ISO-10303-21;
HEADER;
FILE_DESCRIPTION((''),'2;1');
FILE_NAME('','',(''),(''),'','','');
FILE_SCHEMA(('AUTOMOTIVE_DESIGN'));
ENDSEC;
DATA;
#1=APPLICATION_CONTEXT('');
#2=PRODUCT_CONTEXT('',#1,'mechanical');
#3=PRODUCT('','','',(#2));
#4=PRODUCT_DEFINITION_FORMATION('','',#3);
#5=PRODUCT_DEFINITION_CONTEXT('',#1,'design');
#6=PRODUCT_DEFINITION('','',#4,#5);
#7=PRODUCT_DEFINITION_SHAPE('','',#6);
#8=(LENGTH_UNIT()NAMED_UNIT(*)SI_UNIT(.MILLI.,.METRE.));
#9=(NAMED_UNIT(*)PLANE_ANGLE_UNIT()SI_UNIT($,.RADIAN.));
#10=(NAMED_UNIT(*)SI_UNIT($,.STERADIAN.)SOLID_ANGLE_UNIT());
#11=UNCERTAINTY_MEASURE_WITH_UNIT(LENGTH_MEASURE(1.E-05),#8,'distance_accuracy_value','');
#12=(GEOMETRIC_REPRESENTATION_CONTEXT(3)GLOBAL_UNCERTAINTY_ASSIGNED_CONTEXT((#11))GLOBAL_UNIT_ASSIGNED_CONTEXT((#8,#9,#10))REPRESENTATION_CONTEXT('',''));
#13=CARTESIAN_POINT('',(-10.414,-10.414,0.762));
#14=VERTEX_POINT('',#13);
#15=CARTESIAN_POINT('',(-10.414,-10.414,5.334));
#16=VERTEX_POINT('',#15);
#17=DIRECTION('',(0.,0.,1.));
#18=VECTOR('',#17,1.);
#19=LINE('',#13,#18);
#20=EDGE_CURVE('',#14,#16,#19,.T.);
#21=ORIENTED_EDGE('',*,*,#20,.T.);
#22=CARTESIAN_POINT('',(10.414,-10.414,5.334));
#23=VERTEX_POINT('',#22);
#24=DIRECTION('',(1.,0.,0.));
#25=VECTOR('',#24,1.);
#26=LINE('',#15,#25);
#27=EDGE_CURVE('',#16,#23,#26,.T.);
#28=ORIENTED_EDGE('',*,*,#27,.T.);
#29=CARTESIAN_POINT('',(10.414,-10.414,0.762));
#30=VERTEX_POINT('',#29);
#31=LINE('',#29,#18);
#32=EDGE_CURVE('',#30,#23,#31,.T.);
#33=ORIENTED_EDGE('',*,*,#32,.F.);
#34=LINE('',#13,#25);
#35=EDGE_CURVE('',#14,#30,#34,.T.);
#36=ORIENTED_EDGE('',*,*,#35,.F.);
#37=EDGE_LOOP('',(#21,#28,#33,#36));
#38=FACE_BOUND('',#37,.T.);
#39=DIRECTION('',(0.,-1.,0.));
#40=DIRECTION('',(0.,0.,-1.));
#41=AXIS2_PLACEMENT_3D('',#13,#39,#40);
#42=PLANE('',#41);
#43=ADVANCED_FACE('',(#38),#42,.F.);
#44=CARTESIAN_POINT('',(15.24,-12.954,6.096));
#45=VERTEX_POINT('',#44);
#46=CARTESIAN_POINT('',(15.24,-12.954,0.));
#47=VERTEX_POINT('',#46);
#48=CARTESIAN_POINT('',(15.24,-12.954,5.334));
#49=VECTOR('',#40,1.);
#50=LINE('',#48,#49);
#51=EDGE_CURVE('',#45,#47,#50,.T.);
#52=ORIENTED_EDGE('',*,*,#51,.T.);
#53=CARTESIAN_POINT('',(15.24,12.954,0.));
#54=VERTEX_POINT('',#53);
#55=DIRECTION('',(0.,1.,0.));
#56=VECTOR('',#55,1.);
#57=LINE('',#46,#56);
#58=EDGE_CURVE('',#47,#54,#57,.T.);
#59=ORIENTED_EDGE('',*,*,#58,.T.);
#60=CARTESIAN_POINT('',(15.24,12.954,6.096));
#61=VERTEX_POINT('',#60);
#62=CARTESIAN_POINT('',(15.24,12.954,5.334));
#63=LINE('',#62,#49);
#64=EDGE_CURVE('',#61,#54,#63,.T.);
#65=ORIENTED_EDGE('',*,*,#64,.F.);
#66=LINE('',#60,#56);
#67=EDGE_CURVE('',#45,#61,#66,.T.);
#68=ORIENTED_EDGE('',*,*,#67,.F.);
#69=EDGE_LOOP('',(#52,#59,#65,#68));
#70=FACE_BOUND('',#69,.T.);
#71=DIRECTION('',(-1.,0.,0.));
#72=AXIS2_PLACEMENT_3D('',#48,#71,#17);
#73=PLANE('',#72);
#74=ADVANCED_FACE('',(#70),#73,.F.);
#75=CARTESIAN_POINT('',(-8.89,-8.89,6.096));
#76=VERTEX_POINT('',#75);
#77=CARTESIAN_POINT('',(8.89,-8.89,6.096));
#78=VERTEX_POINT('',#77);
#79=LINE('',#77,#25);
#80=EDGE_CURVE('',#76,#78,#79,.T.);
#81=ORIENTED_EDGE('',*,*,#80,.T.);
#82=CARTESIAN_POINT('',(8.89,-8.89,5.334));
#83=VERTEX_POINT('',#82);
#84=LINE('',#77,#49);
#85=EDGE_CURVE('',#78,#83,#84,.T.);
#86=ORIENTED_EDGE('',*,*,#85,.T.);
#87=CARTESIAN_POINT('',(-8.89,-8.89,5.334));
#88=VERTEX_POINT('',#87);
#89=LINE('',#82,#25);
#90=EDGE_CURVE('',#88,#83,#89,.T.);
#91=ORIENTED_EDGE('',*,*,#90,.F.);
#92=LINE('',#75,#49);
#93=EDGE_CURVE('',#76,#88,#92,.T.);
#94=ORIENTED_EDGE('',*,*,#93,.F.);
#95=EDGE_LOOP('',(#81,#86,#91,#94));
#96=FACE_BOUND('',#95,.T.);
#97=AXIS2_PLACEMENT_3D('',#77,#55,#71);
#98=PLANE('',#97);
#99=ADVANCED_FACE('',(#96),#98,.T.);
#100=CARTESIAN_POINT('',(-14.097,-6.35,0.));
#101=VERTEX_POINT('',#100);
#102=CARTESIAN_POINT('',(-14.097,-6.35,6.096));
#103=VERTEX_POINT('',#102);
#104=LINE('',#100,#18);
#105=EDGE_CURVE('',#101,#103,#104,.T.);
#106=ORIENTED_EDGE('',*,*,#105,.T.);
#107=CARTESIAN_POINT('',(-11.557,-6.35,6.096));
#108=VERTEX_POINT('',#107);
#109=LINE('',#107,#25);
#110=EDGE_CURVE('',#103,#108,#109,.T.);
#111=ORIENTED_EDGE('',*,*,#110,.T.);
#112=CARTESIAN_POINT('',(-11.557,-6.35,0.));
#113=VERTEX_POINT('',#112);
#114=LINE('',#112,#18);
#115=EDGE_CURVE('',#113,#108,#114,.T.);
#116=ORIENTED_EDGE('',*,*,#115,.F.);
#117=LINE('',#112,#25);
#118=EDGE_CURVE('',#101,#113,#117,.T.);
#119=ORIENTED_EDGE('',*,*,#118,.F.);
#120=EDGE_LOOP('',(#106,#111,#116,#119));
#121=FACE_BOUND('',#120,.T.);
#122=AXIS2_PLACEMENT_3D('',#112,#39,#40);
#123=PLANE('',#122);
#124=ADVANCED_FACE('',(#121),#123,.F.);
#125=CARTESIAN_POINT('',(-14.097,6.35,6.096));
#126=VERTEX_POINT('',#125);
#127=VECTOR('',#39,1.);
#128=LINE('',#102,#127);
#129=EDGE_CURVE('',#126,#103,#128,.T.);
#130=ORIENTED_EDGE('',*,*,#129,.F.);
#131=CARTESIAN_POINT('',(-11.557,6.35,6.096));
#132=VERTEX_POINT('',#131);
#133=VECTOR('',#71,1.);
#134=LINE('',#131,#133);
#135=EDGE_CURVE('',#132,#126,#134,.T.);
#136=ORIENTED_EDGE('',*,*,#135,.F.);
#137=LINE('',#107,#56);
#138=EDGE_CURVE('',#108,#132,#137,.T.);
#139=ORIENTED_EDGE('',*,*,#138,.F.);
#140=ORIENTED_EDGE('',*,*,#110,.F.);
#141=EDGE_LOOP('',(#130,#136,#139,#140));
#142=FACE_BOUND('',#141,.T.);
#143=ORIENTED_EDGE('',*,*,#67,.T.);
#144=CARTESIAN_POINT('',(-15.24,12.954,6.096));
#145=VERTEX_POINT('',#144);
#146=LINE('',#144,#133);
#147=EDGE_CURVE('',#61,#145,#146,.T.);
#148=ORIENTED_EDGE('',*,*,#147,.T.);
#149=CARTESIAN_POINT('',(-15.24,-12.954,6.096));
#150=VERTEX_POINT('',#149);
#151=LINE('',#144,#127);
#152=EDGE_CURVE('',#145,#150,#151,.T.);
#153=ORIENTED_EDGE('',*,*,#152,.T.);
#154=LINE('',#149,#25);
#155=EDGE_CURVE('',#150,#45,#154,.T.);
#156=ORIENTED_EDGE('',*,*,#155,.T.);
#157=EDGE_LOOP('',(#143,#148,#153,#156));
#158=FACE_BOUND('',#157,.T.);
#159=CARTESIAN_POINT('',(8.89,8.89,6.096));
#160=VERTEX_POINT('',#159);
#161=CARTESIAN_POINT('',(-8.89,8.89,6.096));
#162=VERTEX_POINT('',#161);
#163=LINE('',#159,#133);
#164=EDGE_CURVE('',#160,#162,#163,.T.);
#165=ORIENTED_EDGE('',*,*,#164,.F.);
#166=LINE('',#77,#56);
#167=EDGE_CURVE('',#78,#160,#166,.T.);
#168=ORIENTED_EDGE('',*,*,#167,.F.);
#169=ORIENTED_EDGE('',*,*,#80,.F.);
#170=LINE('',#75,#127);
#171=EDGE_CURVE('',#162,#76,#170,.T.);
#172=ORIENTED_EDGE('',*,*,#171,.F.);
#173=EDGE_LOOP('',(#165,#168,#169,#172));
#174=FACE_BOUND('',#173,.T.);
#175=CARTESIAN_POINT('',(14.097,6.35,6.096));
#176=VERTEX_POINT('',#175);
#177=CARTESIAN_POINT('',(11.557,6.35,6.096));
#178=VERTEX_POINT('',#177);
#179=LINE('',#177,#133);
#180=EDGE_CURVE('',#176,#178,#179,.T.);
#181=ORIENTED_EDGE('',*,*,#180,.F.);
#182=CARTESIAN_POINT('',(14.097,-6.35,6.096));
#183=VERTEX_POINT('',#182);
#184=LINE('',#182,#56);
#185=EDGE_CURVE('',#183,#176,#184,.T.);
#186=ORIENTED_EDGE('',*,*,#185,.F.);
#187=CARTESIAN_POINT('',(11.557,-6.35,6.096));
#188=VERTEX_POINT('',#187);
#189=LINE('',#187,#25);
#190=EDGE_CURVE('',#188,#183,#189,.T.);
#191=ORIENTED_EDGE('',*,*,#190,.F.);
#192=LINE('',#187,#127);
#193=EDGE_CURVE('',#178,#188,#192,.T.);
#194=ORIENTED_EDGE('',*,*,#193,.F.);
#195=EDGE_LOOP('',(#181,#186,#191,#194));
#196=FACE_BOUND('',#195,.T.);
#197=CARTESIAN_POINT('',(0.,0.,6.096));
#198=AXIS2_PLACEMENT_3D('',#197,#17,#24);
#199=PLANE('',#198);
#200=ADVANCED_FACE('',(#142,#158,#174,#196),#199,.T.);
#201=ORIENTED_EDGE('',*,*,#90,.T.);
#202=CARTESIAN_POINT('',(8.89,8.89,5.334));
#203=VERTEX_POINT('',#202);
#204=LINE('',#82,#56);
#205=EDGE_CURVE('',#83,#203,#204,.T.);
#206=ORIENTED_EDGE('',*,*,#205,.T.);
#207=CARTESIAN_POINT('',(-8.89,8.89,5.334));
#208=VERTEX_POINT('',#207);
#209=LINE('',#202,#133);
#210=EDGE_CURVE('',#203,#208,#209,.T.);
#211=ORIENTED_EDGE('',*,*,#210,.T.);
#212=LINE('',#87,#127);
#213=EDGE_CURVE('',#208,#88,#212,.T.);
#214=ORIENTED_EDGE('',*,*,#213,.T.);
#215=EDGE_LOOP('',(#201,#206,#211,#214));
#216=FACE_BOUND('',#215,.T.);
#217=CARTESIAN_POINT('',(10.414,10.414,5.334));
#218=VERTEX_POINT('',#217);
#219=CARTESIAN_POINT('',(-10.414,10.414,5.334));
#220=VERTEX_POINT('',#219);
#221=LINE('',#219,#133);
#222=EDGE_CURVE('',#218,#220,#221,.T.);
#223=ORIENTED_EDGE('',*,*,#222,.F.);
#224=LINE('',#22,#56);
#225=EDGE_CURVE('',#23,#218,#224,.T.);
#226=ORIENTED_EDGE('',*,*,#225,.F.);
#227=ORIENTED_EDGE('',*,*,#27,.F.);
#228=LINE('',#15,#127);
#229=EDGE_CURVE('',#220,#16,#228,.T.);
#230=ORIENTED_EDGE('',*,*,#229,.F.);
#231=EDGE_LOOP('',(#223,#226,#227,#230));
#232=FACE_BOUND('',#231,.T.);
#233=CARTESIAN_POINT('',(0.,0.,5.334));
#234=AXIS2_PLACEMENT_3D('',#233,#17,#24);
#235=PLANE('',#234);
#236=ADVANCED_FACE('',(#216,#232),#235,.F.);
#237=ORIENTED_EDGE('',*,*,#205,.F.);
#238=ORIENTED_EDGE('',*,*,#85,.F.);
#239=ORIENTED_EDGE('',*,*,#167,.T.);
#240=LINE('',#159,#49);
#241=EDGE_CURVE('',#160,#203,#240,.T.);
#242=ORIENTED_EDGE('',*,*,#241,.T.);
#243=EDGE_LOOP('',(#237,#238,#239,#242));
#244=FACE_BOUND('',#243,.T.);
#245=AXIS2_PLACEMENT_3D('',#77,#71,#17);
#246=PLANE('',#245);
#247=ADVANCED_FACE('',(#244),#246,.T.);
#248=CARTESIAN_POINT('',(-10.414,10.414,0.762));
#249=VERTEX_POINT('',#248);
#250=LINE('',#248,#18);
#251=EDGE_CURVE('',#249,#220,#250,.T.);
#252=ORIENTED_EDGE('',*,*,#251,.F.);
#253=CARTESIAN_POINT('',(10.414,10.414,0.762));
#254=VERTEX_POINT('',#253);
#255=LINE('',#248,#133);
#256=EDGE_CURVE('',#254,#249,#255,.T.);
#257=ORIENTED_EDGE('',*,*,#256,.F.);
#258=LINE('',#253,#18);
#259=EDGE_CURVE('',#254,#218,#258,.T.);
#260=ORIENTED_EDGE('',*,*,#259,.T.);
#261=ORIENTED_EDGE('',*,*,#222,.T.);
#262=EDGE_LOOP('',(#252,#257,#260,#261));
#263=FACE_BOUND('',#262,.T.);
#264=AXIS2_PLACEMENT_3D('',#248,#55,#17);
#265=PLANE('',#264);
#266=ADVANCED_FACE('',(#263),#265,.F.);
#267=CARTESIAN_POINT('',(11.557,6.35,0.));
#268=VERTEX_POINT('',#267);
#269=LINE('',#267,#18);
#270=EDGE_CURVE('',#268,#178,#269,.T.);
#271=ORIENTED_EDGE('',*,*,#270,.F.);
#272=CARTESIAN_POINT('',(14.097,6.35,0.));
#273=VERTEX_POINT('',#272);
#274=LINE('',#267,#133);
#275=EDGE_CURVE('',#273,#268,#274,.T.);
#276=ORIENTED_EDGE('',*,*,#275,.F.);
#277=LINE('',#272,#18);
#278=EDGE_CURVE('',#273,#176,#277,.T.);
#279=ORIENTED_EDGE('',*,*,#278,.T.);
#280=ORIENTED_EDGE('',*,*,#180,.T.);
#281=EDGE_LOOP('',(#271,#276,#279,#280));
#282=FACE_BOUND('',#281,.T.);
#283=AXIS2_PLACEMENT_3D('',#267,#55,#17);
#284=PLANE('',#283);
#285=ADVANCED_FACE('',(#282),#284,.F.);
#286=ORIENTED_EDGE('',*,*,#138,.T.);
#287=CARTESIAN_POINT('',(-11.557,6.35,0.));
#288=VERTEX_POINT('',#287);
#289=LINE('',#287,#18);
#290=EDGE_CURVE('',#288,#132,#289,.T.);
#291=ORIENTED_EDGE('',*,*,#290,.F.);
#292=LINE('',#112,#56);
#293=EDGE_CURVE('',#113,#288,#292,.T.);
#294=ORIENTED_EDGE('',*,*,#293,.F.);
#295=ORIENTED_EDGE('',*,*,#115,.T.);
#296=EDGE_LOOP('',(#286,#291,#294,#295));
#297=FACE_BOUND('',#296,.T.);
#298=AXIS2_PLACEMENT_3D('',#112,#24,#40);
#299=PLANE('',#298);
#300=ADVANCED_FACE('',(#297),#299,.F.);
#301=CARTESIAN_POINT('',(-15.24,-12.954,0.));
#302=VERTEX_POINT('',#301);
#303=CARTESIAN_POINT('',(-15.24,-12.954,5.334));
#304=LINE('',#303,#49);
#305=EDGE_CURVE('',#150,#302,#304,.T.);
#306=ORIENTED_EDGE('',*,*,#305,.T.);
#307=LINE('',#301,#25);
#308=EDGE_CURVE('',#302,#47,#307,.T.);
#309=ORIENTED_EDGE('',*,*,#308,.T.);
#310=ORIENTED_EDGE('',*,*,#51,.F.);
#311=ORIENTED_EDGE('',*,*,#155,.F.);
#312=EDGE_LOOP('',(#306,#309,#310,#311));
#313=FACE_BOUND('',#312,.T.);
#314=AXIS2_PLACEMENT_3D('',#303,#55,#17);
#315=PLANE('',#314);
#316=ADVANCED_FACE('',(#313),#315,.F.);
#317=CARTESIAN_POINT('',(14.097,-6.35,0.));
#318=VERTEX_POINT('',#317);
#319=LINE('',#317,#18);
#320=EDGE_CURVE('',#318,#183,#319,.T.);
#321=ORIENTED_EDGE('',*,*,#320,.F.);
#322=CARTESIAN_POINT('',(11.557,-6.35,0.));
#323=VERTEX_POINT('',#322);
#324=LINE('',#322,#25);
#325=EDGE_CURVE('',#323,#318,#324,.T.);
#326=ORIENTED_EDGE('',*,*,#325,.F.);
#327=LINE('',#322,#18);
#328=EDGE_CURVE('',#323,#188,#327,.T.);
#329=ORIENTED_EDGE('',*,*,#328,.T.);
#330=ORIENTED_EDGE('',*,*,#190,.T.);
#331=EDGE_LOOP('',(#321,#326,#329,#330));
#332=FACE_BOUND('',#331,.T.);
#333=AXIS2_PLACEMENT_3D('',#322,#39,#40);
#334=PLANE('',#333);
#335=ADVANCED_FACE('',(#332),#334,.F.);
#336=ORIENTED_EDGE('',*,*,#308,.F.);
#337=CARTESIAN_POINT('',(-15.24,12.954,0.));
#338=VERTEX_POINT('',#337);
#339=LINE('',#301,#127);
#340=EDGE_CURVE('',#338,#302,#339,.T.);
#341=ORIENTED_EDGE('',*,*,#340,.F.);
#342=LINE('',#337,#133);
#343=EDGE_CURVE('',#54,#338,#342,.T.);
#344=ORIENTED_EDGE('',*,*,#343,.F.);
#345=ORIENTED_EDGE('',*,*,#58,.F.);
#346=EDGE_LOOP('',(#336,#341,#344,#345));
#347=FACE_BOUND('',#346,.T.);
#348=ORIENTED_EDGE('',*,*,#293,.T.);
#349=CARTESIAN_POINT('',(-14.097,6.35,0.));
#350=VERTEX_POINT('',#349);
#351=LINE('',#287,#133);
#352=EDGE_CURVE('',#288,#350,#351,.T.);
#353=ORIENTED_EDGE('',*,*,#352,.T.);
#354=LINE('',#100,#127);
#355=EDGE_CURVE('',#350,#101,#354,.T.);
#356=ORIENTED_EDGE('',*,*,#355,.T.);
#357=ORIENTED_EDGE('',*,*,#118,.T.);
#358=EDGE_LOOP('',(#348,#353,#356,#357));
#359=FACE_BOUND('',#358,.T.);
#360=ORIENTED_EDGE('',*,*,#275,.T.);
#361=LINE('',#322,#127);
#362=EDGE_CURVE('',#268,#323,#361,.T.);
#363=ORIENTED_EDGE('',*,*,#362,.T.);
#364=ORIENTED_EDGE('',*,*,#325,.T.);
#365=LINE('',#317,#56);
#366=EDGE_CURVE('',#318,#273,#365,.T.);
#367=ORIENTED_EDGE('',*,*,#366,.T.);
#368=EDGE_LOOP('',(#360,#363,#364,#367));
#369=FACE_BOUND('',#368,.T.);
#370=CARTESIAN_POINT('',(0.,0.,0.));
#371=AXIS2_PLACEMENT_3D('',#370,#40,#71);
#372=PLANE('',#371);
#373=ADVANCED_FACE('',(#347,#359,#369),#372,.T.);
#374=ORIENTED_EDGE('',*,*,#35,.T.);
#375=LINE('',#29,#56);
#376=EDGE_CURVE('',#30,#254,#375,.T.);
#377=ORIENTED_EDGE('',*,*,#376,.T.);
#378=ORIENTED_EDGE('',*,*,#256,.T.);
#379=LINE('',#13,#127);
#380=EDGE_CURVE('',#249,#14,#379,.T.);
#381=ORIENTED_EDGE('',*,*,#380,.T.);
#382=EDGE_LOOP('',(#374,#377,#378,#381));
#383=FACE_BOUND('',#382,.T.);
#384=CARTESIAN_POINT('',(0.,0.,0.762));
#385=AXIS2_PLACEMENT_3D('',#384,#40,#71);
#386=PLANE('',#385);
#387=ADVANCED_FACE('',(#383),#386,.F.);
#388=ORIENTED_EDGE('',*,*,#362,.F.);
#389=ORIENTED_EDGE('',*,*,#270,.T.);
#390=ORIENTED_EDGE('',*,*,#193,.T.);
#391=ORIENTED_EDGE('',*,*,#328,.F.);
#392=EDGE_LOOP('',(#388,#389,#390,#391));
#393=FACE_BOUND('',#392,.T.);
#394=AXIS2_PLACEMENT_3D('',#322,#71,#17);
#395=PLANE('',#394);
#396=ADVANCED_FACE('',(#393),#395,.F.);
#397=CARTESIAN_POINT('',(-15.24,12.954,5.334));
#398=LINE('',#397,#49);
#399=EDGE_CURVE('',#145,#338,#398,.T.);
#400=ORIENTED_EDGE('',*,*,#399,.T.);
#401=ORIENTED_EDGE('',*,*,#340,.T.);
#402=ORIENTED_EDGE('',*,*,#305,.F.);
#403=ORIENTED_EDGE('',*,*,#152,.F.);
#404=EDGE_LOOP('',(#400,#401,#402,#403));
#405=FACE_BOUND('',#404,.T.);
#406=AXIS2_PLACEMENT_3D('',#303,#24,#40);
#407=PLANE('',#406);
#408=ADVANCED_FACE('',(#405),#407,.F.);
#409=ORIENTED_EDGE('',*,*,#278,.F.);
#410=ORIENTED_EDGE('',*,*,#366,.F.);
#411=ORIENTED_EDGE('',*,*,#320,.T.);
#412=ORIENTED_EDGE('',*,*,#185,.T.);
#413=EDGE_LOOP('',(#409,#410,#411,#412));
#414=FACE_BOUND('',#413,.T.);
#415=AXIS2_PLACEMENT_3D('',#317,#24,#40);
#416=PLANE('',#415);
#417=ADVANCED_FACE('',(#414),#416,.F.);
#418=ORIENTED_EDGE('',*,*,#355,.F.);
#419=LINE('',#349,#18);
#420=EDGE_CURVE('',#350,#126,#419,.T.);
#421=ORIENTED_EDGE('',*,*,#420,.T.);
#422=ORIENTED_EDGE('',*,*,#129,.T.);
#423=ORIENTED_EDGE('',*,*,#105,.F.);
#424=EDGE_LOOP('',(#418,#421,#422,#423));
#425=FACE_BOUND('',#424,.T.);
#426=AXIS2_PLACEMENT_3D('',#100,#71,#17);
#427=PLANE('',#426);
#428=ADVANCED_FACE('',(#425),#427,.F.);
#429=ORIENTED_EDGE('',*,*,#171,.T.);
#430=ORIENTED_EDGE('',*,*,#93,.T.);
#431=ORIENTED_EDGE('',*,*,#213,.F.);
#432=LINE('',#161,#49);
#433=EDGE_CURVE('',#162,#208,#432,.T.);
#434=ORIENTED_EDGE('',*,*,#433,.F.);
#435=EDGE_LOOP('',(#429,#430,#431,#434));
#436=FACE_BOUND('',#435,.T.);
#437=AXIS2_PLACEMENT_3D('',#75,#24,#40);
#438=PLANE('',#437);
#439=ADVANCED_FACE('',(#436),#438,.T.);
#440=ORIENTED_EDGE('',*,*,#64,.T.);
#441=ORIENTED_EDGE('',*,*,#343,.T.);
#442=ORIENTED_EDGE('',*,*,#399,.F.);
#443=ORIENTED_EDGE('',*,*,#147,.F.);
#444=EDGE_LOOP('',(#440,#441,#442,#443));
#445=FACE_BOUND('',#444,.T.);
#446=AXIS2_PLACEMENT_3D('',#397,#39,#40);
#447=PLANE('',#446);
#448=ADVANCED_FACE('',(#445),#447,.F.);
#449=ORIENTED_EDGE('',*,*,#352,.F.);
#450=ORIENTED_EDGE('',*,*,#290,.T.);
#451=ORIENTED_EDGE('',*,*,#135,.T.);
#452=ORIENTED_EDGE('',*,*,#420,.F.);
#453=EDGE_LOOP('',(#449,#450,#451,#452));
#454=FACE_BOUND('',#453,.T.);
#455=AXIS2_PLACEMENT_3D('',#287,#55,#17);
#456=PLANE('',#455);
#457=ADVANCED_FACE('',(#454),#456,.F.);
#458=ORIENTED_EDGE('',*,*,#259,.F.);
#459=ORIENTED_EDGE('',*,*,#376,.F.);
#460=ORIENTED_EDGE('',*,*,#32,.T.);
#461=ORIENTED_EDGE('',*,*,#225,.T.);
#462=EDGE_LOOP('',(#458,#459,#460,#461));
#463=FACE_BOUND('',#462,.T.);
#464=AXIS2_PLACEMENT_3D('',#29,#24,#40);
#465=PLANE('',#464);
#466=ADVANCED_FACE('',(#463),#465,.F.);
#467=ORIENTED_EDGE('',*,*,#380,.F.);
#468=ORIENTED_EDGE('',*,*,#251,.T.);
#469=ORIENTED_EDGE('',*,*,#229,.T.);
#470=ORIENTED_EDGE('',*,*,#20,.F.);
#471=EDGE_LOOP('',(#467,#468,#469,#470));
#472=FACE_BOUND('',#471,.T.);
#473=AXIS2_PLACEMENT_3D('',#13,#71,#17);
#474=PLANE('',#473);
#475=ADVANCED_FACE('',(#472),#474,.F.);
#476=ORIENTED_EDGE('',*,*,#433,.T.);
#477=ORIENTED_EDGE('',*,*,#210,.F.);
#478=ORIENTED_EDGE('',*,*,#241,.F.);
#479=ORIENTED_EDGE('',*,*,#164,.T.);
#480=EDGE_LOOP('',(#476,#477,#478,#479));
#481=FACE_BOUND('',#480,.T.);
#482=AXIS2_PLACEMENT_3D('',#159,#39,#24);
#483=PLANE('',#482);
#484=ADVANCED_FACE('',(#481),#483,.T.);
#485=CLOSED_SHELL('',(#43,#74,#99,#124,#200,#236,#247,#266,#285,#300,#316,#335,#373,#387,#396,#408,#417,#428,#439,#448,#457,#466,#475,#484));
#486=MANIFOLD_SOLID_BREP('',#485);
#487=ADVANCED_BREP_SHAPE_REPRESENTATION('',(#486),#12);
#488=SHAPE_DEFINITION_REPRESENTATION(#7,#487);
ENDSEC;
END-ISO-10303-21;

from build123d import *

# Parameters (mm, degrees)
SKETCH1_W           = 30.48
SKETCH1_H           = 25.908
BOSS_EXTRUDE1_DEPTH = 5.334
SKETCH2_W           = 20.828
SKETCH2_H           = 20.828
CUT_EXTRUDE1_DEPTH  = 4.572
SKETCH3_W           = 30.48
SKETCH3_H           = 25.908
SKETCH3_W_2         = 17.78
SKETCH3_H_2         = 17.78
BOSS_EXTRUDE2_DEPTH = 0.762
SKETCH4_W           = 2.54
SKETCH4_H           = 12.7
CUT_EXTRUDE5_DEPTH  = 21.909924247


with BuildPart() as part:
    # Sketch1 → Boss-Extrude1 (new body)
    with BuildSketch(Plane.XY):
        Rectangle(SKETCH1_W, SKETCH1_H)
    extrude(amount=BOSS_EXTRUDE1_DEPTH)

    # Sketch2 → Cut-Extrude1 (cut)
    with BuildSketch(Plane.XY.offset(5.334)):
        Rectangle(SKETCH2_W, SKETCH2_H)
    extrude(amount=-CUT_EXTRUDE1_DEPTH, mode=Mode.SUBTRACT)

    # Sketch3 → Boss-Extrude2 (add)
    with BuildSketch(Plane.XY.offset(5.334)):
        Rectangle(SKETCH3_W, SKETCH3_H)
        Rectangle(SKETCH3_W_2, SKETCH3_H_2, mode=Mode.SUBTRACT)
    extrude(amount=BOSS_EXTRUDE2_DEPTH)

    # Sketch4 → Cut-Extrude5 (cut, through all)
    with BuildSketch(Plane.XY.offset(6.096)):
        with Locations((-12.827, 0)):
            Rectangle(SKETCH4_W, SKETCH4_H)
        with Locations((12.827, 0)):
            Rectangle(SKETCH4_W, SKETCH4_H)
    extrude(amount=-CUT_EXTRUDE5_DEPTH, mode=Mode.SUBTRACT)


solid = part.part
